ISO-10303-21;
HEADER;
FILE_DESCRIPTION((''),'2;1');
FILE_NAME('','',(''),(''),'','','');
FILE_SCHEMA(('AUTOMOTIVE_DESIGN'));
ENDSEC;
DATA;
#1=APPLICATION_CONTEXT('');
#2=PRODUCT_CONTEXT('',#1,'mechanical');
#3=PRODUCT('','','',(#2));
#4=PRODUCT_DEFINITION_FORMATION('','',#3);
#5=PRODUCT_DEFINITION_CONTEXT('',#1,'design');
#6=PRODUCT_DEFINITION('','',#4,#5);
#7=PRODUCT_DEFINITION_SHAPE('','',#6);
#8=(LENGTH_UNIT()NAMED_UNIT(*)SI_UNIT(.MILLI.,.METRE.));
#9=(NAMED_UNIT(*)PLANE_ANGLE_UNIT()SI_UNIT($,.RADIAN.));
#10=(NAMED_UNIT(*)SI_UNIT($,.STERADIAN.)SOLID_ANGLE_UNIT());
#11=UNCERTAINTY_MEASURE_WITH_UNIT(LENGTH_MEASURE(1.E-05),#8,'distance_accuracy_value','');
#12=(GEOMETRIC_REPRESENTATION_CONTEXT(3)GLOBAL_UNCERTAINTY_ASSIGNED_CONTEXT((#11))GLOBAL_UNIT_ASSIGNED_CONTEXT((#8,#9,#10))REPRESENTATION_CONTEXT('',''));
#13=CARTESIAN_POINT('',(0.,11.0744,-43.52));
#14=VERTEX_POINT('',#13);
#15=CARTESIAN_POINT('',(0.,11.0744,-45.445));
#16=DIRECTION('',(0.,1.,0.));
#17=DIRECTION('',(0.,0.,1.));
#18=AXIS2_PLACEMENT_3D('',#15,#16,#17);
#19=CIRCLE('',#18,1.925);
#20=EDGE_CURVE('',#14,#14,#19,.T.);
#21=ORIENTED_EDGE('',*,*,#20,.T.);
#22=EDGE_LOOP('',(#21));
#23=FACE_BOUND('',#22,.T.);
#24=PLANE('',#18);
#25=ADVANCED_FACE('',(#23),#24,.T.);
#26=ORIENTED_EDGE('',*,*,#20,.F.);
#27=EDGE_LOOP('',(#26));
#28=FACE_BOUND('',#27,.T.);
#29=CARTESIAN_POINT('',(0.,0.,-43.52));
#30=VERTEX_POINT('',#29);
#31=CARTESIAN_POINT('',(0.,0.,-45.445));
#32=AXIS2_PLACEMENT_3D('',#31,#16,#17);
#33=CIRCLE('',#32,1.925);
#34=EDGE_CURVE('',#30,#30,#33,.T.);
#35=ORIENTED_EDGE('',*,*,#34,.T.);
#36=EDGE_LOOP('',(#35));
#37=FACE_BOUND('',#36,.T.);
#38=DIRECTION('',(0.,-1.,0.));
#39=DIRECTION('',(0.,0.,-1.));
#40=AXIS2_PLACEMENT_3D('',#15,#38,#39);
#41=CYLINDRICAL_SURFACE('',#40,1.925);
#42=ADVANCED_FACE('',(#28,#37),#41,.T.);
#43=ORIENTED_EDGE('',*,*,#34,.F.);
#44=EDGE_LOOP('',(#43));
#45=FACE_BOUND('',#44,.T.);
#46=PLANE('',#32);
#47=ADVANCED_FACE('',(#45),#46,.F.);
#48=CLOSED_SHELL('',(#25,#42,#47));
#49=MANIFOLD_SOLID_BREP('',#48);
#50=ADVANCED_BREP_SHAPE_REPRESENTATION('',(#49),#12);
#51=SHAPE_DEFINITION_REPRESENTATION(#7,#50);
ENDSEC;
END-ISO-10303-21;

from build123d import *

# Parameters (mm, degrees)
SKETCH1_R           = 1.925
BOSS_EXTRUDE1_DEPTH = 11.0744


with BuildPart() as part:
    # Sketch1 → Boss-Extrude1 (new body)
    with BuildSketch(Plane(origin=(0, 0, 0), x_dir=(1, 0, 0), z_dir=(0, 1, 0))):
        with Locations((0, 45.445)):
            Circle(SKETCH1_R)
    extrude(amount=BOSS_EXTRUDE1_DEPTH)


solid = part.part
